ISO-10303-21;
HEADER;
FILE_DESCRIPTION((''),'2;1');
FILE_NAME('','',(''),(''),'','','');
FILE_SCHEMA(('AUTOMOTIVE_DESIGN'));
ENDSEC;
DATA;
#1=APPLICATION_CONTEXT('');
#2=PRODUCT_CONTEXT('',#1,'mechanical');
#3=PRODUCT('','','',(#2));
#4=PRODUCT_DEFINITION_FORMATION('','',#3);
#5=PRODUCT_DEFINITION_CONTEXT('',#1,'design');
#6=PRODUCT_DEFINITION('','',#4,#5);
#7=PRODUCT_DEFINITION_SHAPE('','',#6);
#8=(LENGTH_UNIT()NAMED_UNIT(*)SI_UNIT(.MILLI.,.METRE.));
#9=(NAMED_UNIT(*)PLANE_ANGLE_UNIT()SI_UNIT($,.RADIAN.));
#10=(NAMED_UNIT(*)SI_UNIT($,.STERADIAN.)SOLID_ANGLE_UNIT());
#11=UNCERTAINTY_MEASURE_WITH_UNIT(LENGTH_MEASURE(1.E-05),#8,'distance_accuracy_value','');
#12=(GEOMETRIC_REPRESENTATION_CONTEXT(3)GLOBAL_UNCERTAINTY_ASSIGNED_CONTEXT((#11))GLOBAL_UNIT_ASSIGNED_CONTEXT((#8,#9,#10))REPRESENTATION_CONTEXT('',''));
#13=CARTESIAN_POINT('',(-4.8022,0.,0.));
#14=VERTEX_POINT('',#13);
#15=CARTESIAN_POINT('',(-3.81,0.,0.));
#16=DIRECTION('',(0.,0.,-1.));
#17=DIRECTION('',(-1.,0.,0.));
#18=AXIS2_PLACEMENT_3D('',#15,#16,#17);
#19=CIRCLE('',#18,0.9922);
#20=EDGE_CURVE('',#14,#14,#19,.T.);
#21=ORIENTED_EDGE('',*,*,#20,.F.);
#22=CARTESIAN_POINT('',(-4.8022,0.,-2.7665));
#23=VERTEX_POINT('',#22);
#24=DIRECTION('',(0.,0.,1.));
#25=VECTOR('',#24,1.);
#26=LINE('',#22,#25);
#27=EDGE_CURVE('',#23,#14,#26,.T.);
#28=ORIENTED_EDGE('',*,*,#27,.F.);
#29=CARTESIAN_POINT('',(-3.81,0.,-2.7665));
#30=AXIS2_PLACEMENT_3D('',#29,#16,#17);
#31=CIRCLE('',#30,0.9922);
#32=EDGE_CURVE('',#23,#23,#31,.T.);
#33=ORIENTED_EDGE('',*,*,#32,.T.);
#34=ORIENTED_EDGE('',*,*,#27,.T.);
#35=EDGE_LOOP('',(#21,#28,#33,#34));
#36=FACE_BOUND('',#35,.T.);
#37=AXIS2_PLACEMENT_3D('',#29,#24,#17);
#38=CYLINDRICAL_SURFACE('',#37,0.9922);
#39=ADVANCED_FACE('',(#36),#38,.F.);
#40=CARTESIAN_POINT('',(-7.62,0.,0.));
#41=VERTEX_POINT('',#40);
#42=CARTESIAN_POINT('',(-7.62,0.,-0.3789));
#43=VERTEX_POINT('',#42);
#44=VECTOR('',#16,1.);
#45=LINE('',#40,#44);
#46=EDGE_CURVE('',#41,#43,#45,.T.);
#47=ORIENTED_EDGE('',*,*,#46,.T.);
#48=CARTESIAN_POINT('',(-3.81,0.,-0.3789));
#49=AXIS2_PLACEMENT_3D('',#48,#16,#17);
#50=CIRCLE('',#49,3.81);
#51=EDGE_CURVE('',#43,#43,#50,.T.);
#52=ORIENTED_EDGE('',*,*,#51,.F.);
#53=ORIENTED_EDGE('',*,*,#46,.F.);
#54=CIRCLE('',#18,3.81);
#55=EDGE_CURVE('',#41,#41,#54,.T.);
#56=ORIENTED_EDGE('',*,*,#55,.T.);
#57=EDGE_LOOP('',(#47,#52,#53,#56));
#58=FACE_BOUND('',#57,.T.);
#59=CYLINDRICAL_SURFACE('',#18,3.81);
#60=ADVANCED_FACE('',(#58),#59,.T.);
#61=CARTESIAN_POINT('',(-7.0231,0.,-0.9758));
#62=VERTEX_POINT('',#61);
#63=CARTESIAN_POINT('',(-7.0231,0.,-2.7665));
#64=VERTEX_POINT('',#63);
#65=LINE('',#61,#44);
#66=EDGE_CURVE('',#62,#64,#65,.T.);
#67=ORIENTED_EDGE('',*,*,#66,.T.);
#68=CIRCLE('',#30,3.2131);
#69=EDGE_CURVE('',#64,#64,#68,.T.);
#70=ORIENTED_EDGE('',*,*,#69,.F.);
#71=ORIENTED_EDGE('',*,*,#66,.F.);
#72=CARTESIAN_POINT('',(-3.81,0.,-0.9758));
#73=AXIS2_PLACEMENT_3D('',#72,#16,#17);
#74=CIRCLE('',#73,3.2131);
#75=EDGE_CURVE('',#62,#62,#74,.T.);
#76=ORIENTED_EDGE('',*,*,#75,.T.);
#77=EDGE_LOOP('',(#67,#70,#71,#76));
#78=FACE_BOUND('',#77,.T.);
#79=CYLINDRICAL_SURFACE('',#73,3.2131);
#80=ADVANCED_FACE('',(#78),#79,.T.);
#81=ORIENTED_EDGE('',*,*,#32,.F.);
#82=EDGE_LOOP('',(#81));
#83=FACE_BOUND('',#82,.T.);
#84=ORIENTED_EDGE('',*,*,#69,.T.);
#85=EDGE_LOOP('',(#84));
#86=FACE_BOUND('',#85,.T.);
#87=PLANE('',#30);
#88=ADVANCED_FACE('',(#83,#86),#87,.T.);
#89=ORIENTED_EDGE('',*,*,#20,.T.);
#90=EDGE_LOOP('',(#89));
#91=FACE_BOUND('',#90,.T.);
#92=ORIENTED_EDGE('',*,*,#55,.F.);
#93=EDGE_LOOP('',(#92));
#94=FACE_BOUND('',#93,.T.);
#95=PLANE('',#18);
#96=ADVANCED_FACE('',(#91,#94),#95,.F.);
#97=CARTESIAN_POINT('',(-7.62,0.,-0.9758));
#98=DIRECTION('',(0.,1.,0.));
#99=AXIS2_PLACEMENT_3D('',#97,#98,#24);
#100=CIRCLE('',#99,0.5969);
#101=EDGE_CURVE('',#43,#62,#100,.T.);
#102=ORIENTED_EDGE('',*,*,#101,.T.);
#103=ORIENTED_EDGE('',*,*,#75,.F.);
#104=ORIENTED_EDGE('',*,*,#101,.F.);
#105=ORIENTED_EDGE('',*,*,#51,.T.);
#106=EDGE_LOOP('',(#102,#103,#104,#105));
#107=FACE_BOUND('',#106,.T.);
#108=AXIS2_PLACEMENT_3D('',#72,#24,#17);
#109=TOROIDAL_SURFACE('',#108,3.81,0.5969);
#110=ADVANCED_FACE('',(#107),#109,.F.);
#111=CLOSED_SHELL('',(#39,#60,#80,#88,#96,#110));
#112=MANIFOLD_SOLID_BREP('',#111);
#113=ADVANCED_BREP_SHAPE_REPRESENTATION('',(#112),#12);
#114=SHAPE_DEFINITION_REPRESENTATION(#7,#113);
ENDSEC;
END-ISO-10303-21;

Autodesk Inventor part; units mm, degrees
ref_plane "YZ Plane" through (0, 0, 0) normal (1, 0, 0) x (0, 1, 0)
ref_plane "XZ Plane" through (0, 0, 0) normal (0, 1, 0) x (-1, 0, 0)
ref_plane "XY Plane" through (0, 0, 0) normal (0, 0, 1) x (1, 0, 0)
sketch "Sketch1" plane through (0, 0, 0) normal (0, 1, 0) x (-1, 0, 0)
  line L0 (3.81, 0) -> (7.62, 0)
  line L1 (7.62, 0) -> (7.62, -0.3789)
  line L2 (3.81, 0) -> (3.81, -0.3789)
  line L3 (3.81, -0.3789) -> (3.81, -2.7665)
  line L4 (4.8022, -2.7665) -> (4.8022, 0)
  arc A0 (7.62, -0.3789) -> (7.0231, -0.9758) centre (7.62, -0.9758) ccw
  line L5 (7.0231, -0.9758) -> (7.0231, -2.7665)
  line L6 (7.0231, -2.7665) -> (3.81, -2.7665)
  point P0 (0, 0)
revolve "Revolution1" add sketch "Sketch1" angle 360 about axis through (-3.81, 0, -0.3789) along (0, 0, -1) contours L0 L1 A0 L5 L6 L4
properties part number "Crankshaft Bearing"
